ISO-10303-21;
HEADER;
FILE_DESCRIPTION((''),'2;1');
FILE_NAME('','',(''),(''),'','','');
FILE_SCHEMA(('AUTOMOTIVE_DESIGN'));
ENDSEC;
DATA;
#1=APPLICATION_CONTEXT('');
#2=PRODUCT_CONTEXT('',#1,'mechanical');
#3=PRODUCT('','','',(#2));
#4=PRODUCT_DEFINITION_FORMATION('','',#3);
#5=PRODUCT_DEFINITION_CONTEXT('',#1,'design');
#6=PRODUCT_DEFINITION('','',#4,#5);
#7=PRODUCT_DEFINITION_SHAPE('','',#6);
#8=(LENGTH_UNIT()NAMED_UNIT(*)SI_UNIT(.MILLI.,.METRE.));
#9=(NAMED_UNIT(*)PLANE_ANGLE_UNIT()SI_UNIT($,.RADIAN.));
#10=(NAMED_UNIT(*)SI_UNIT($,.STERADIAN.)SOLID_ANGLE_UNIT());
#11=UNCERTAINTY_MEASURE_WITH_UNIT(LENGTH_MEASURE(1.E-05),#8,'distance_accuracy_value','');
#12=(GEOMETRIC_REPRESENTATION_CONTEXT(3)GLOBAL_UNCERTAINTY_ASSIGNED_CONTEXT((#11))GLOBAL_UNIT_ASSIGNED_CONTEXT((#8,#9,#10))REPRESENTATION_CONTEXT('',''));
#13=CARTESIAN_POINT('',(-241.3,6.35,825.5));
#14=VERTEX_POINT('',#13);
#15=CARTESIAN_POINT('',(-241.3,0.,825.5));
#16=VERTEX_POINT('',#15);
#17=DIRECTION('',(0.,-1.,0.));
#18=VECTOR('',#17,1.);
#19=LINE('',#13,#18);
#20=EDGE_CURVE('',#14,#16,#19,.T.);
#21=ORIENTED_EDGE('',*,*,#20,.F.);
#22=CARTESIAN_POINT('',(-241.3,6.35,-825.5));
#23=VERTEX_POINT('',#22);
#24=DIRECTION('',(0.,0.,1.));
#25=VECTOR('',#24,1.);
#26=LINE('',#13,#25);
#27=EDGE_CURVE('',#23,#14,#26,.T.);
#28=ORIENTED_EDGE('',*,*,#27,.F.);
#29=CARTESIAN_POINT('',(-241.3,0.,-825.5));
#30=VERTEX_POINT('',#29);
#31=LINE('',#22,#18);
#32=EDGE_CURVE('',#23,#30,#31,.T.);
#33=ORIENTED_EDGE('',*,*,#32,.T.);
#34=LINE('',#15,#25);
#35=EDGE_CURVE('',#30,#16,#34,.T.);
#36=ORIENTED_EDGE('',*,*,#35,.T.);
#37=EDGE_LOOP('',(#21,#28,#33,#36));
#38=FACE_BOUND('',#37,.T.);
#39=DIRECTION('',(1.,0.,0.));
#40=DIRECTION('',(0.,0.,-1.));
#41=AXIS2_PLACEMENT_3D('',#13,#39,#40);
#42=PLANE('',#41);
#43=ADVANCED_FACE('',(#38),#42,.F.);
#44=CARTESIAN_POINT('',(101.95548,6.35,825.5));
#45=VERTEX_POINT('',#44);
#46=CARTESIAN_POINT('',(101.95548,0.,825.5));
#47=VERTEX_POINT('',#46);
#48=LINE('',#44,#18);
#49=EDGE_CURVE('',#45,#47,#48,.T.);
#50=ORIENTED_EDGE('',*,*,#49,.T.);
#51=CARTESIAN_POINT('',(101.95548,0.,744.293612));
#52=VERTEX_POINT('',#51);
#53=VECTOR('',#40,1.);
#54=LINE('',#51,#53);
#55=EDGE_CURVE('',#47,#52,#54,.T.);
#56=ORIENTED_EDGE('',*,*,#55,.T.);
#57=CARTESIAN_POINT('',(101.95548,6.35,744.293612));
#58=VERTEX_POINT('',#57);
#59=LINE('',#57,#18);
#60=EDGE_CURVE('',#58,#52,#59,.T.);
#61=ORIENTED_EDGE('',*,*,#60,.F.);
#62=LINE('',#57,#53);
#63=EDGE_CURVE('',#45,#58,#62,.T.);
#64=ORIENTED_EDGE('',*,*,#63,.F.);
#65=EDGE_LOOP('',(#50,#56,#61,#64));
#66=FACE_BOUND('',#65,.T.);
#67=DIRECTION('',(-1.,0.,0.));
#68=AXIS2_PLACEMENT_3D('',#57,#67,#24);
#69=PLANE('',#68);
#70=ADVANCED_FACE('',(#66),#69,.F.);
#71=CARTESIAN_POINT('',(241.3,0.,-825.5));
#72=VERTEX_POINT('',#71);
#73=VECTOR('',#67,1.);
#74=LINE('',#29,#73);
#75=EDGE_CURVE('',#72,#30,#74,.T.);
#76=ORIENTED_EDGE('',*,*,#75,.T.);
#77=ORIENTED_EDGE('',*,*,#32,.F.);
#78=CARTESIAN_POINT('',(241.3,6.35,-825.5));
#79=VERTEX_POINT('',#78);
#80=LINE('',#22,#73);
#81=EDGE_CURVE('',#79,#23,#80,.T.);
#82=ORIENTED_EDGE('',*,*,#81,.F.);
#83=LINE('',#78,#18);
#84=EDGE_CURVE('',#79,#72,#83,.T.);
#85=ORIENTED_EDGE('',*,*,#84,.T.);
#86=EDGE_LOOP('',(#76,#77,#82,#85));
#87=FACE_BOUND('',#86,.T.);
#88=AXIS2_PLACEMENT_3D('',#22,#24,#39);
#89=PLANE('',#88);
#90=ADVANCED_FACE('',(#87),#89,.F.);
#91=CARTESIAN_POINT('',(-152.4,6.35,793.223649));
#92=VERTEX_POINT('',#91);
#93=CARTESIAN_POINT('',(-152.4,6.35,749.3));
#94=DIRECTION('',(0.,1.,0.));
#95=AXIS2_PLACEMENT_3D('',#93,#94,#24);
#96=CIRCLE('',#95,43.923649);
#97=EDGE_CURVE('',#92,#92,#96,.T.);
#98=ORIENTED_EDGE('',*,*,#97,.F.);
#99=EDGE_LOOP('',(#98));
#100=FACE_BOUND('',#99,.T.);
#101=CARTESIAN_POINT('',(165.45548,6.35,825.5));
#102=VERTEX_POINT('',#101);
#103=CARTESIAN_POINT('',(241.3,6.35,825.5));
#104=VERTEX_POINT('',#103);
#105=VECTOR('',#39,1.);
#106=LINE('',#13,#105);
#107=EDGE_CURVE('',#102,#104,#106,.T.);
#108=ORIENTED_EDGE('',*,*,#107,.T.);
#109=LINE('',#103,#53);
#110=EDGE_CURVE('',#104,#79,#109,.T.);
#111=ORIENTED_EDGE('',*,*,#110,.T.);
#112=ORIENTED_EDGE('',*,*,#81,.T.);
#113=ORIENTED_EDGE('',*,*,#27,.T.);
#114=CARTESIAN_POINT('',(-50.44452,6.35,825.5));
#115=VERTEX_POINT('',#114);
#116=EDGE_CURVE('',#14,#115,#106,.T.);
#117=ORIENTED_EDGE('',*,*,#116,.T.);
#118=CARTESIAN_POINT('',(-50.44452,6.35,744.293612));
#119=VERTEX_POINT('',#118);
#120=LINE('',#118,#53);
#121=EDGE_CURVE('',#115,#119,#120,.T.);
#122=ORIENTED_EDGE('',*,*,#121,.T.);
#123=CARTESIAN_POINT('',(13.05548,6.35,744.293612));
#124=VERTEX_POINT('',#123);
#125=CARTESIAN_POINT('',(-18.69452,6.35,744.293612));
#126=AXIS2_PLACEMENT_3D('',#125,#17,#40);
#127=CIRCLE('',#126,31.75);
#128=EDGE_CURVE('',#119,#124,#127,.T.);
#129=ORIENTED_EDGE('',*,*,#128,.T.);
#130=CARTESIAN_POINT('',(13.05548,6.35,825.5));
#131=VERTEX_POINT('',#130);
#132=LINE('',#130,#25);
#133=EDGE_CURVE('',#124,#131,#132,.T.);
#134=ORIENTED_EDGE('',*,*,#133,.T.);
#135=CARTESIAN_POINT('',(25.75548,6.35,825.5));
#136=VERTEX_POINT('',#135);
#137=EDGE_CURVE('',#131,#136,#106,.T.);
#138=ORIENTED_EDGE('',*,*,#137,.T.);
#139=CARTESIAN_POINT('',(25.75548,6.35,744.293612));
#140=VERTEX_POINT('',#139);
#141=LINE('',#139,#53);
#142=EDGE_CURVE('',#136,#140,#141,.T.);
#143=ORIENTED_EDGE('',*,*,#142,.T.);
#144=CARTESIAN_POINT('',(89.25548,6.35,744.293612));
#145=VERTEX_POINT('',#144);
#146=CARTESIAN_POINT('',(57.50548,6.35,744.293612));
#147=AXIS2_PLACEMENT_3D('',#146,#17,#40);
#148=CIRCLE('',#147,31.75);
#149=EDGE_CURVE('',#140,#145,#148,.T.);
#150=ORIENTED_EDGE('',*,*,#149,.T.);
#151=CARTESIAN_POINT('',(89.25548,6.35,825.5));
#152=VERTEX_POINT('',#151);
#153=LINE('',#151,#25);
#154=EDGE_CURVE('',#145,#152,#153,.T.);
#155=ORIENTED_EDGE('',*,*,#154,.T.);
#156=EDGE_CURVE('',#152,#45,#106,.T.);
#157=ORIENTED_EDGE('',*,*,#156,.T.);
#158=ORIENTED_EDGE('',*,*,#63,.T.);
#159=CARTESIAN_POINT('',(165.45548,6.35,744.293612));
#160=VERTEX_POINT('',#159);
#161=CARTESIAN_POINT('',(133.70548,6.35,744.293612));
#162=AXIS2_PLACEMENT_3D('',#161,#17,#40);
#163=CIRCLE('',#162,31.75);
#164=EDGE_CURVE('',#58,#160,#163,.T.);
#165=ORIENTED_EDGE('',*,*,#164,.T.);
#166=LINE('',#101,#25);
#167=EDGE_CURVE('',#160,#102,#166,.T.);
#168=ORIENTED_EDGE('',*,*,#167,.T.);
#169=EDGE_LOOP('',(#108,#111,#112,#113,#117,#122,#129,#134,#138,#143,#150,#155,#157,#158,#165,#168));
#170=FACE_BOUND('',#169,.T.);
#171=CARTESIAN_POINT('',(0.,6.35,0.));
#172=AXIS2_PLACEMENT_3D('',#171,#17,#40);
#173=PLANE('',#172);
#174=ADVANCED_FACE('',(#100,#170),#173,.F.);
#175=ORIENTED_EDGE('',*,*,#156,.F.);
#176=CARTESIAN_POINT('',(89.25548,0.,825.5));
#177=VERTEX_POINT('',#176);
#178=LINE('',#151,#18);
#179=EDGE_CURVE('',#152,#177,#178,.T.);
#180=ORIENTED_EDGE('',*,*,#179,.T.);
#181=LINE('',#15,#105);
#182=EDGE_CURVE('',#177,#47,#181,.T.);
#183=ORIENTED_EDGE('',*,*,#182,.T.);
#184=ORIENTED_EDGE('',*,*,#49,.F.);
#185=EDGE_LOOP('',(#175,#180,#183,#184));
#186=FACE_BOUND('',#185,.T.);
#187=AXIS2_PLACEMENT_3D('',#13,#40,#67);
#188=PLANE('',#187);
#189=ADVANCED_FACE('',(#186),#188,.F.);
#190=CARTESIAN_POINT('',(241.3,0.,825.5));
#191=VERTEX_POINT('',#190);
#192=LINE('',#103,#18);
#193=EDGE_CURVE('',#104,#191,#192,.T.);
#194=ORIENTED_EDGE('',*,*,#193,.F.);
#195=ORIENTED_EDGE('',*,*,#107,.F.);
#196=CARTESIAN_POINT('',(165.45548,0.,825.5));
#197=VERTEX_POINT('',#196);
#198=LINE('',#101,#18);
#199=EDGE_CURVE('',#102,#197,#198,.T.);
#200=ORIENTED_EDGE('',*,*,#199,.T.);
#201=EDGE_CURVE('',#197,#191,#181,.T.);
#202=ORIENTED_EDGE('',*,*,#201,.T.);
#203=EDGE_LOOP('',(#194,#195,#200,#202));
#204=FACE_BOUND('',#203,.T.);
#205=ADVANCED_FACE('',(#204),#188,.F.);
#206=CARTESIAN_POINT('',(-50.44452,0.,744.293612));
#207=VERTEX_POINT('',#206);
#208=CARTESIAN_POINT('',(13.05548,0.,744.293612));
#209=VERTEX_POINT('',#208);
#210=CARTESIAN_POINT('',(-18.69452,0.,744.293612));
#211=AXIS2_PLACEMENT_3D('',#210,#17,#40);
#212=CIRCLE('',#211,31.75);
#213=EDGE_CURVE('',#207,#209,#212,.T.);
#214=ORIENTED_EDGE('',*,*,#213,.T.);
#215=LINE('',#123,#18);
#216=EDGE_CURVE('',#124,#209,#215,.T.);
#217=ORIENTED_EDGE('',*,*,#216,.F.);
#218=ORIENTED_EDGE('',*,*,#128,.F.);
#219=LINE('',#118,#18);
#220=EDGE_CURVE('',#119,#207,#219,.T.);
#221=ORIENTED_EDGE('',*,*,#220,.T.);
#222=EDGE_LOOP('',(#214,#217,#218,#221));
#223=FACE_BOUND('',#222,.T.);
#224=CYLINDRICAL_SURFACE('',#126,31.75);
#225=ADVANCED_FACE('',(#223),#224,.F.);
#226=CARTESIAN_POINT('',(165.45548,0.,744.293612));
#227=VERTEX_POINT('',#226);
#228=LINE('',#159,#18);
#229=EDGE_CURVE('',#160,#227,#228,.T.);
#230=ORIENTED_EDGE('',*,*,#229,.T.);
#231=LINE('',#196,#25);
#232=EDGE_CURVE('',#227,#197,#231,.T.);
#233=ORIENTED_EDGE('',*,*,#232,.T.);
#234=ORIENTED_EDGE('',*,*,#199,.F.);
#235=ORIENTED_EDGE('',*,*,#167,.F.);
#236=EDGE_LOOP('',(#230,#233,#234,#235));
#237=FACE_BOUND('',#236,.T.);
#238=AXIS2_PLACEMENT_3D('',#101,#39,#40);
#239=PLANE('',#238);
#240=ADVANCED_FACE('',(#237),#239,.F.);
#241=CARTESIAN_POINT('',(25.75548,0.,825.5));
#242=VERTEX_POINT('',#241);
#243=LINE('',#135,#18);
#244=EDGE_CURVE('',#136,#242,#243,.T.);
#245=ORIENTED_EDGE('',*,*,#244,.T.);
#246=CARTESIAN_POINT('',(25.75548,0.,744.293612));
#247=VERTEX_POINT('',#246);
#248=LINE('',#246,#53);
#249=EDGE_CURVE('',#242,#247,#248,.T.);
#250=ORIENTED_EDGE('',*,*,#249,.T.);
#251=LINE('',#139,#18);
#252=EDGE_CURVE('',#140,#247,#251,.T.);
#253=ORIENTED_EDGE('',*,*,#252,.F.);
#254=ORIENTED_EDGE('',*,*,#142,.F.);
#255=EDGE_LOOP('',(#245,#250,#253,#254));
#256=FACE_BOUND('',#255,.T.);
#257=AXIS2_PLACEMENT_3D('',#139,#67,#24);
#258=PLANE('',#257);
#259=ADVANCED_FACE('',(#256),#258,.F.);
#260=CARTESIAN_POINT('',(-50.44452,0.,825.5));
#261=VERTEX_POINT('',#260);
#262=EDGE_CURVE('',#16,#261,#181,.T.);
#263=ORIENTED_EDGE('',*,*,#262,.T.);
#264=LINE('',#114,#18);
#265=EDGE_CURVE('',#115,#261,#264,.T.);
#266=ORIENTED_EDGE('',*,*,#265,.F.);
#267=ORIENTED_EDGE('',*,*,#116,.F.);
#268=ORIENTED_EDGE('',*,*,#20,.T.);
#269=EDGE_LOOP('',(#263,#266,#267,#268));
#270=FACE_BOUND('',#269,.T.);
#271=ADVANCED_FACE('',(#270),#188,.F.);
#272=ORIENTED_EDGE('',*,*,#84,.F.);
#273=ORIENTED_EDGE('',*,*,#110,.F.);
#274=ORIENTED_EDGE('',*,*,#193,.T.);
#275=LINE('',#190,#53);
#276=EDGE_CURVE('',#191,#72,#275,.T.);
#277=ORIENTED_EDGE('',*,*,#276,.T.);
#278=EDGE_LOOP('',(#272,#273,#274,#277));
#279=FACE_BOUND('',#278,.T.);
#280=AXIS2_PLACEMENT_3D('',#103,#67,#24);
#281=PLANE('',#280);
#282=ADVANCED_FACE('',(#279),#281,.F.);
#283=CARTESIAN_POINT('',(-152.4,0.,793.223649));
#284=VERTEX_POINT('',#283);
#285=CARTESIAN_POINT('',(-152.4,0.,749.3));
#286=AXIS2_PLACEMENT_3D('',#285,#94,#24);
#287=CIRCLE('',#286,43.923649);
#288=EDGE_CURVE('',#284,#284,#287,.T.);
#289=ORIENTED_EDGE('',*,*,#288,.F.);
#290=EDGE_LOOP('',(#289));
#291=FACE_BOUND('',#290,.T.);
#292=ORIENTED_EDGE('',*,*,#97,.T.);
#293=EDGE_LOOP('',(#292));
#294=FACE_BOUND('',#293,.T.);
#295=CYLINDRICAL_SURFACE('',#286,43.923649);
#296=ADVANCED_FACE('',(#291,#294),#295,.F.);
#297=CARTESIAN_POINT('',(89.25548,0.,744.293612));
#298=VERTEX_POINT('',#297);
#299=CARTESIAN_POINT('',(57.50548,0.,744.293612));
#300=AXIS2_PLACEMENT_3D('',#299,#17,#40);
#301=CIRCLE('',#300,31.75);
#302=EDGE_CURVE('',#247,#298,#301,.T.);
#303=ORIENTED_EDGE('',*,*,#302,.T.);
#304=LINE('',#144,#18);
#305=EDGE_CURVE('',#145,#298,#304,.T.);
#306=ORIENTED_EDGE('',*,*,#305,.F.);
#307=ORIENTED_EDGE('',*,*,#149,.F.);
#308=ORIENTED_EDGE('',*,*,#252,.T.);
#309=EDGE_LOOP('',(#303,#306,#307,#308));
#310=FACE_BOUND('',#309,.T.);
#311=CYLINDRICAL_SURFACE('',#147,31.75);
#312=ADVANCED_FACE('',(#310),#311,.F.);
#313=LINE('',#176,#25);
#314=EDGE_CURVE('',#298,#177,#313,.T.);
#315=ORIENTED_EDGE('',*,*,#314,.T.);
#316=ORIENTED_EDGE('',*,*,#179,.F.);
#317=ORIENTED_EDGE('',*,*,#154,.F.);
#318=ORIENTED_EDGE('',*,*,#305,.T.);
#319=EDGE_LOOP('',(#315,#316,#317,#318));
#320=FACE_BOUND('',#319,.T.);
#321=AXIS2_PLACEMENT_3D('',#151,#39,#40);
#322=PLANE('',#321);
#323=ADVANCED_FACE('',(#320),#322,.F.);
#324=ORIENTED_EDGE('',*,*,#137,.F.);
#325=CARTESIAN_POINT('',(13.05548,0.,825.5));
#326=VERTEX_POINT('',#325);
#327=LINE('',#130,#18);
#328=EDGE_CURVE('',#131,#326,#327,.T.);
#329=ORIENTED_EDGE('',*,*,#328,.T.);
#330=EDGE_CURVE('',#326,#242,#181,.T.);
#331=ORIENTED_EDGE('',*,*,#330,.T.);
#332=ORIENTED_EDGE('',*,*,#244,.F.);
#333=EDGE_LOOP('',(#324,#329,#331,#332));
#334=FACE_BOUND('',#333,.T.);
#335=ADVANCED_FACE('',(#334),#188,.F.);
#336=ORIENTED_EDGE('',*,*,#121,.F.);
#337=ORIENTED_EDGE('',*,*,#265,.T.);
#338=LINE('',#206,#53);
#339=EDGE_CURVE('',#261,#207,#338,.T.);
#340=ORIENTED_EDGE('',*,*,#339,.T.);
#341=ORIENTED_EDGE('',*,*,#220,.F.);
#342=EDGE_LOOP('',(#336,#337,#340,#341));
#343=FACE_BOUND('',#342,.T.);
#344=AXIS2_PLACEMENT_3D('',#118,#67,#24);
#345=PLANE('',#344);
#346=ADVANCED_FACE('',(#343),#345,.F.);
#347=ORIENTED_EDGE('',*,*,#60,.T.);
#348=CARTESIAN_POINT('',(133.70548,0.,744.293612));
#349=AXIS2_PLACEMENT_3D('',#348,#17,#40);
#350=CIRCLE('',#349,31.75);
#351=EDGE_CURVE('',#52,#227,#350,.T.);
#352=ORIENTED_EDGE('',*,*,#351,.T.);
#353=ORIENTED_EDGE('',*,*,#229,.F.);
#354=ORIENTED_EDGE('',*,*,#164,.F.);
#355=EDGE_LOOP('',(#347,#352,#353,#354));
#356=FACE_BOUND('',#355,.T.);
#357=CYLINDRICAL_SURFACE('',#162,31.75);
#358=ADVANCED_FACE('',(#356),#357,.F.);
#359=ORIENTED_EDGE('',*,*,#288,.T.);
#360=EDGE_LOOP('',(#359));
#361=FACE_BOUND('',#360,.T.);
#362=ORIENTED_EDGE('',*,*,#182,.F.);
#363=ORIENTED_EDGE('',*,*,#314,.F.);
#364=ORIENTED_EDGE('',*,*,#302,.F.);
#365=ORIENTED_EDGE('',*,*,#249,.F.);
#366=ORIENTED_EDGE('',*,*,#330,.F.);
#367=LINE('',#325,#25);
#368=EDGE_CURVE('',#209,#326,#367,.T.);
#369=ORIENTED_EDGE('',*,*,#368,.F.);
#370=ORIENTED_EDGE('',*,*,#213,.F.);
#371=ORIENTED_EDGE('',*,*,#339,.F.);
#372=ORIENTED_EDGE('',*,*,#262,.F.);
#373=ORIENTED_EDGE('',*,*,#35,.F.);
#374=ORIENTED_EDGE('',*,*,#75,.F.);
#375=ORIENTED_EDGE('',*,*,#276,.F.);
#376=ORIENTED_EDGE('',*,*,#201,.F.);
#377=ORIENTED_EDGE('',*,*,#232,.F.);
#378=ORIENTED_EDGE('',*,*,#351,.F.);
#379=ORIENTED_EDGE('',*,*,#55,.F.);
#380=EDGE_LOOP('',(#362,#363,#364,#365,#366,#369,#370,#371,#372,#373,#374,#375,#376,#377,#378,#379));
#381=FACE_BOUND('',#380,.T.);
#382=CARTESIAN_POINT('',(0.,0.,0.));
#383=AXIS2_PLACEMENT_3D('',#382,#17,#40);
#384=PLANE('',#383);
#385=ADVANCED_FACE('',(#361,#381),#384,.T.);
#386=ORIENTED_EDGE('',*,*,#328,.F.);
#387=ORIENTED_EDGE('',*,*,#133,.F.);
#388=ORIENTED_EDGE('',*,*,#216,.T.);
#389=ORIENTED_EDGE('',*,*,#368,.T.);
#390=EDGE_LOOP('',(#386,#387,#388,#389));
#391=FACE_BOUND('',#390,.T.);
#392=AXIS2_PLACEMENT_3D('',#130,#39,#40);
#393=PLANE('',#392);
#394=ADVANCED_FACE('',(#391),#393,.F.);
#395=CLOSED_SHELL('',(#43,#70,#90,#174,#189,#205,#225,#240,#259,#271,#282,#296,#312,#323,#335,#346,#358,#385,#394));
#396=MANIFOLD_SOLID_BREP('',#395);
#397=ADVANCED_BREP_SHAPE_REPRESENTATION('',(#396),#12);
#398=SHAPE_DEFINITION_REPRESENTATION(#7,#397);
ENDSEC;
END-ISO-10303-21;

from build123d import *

# Parameters (mm, degrees)
SKETCH1_W           = 482.6
SKETCH1_H           = 1651
BOSS_EXTRUDE1_DEPTH = 6.35
SKETCH2_R           = 43.923649364
CUT_EXTRUDE1_DEPTH  = 861.067591821
CUT_EXTRUDE3_DEPTH  = 861.067591821


with BuildPart() as part:
    # Sketch1 → Boss-Extrude1 (new body)
    with BuildSketch(Plane(origin=(0, 0, 0), x_dir=(1, 0, 0), z_dir=(0, 1, 0))):
        Rectangle(SKETCH1_W, SKETCH1_H)
    extrude(amount=BOSS_EXTRUDE1_DEPTH)

    # Sketch2 → Cut-Extrude1 (cut, through all)
    with BuildSketch(Plane(origin=(0, 6.35, 0), x_dir=(1, 0, 0), z_dir=(0, 1, 0))):
        with Locations(Location((-152.4, -749.3, 0), (0, 0, 270))):
            Circle(SKETCH2_R)
    extrude(amount=-CUT_EXTRUDE1_DEPTH, mode=Mode.SUBTRACT)

    # Sketch4 → Cut-Extrude3 (cut, through all)
    with BuildSketch(Plane.XZ):
        with BuildLine():
            Line((-50.444519558, 744.293611593), (-50.444519558, 825.5))
            Line((-50.444519558, 825.5), (13.055480442, 825.5))
            Line((13.055480442, 825.5), (13.055480442, 744.293611593))
            ThreePointArc((13.055480442, 744.293611593), (-18.694519558, 712.543611593), (-50.444519558, 744.293611593))
        make_face()
        with BuildLine():
            Line((25.755480442, 744.293611593), (25.755480442, 825.5))
            Line((25.755480442, 825.5), (89.255480442, 825.5))
            Line((89.255480442, 825.5), (89.255480442, 744.293611593))
            ThreePointArc((89.255480442, 744.293611593), (57.505480442, 712.543611593), (25.755480442, 744.293611593))
        make_face()
        with BuildLine():
            Line((101.955480442, 744.293611593), (101.955480442, 825.5))
            Line((101.955480442, 825.5), (165.455480442, 825.5))
            Line((165.455480442, 825.5), (165.455480442, 744.293611593))
            ThreePointArc((165.455480442, 744.293611593), (133.705480442, 712.543611593), (101.955480442, 744.293611593))
        make_face()
    extrude(amount=-CUT_EXTRUDE3_DEPTH, mode=Mode.SUBTRACT)


solid = part.part
